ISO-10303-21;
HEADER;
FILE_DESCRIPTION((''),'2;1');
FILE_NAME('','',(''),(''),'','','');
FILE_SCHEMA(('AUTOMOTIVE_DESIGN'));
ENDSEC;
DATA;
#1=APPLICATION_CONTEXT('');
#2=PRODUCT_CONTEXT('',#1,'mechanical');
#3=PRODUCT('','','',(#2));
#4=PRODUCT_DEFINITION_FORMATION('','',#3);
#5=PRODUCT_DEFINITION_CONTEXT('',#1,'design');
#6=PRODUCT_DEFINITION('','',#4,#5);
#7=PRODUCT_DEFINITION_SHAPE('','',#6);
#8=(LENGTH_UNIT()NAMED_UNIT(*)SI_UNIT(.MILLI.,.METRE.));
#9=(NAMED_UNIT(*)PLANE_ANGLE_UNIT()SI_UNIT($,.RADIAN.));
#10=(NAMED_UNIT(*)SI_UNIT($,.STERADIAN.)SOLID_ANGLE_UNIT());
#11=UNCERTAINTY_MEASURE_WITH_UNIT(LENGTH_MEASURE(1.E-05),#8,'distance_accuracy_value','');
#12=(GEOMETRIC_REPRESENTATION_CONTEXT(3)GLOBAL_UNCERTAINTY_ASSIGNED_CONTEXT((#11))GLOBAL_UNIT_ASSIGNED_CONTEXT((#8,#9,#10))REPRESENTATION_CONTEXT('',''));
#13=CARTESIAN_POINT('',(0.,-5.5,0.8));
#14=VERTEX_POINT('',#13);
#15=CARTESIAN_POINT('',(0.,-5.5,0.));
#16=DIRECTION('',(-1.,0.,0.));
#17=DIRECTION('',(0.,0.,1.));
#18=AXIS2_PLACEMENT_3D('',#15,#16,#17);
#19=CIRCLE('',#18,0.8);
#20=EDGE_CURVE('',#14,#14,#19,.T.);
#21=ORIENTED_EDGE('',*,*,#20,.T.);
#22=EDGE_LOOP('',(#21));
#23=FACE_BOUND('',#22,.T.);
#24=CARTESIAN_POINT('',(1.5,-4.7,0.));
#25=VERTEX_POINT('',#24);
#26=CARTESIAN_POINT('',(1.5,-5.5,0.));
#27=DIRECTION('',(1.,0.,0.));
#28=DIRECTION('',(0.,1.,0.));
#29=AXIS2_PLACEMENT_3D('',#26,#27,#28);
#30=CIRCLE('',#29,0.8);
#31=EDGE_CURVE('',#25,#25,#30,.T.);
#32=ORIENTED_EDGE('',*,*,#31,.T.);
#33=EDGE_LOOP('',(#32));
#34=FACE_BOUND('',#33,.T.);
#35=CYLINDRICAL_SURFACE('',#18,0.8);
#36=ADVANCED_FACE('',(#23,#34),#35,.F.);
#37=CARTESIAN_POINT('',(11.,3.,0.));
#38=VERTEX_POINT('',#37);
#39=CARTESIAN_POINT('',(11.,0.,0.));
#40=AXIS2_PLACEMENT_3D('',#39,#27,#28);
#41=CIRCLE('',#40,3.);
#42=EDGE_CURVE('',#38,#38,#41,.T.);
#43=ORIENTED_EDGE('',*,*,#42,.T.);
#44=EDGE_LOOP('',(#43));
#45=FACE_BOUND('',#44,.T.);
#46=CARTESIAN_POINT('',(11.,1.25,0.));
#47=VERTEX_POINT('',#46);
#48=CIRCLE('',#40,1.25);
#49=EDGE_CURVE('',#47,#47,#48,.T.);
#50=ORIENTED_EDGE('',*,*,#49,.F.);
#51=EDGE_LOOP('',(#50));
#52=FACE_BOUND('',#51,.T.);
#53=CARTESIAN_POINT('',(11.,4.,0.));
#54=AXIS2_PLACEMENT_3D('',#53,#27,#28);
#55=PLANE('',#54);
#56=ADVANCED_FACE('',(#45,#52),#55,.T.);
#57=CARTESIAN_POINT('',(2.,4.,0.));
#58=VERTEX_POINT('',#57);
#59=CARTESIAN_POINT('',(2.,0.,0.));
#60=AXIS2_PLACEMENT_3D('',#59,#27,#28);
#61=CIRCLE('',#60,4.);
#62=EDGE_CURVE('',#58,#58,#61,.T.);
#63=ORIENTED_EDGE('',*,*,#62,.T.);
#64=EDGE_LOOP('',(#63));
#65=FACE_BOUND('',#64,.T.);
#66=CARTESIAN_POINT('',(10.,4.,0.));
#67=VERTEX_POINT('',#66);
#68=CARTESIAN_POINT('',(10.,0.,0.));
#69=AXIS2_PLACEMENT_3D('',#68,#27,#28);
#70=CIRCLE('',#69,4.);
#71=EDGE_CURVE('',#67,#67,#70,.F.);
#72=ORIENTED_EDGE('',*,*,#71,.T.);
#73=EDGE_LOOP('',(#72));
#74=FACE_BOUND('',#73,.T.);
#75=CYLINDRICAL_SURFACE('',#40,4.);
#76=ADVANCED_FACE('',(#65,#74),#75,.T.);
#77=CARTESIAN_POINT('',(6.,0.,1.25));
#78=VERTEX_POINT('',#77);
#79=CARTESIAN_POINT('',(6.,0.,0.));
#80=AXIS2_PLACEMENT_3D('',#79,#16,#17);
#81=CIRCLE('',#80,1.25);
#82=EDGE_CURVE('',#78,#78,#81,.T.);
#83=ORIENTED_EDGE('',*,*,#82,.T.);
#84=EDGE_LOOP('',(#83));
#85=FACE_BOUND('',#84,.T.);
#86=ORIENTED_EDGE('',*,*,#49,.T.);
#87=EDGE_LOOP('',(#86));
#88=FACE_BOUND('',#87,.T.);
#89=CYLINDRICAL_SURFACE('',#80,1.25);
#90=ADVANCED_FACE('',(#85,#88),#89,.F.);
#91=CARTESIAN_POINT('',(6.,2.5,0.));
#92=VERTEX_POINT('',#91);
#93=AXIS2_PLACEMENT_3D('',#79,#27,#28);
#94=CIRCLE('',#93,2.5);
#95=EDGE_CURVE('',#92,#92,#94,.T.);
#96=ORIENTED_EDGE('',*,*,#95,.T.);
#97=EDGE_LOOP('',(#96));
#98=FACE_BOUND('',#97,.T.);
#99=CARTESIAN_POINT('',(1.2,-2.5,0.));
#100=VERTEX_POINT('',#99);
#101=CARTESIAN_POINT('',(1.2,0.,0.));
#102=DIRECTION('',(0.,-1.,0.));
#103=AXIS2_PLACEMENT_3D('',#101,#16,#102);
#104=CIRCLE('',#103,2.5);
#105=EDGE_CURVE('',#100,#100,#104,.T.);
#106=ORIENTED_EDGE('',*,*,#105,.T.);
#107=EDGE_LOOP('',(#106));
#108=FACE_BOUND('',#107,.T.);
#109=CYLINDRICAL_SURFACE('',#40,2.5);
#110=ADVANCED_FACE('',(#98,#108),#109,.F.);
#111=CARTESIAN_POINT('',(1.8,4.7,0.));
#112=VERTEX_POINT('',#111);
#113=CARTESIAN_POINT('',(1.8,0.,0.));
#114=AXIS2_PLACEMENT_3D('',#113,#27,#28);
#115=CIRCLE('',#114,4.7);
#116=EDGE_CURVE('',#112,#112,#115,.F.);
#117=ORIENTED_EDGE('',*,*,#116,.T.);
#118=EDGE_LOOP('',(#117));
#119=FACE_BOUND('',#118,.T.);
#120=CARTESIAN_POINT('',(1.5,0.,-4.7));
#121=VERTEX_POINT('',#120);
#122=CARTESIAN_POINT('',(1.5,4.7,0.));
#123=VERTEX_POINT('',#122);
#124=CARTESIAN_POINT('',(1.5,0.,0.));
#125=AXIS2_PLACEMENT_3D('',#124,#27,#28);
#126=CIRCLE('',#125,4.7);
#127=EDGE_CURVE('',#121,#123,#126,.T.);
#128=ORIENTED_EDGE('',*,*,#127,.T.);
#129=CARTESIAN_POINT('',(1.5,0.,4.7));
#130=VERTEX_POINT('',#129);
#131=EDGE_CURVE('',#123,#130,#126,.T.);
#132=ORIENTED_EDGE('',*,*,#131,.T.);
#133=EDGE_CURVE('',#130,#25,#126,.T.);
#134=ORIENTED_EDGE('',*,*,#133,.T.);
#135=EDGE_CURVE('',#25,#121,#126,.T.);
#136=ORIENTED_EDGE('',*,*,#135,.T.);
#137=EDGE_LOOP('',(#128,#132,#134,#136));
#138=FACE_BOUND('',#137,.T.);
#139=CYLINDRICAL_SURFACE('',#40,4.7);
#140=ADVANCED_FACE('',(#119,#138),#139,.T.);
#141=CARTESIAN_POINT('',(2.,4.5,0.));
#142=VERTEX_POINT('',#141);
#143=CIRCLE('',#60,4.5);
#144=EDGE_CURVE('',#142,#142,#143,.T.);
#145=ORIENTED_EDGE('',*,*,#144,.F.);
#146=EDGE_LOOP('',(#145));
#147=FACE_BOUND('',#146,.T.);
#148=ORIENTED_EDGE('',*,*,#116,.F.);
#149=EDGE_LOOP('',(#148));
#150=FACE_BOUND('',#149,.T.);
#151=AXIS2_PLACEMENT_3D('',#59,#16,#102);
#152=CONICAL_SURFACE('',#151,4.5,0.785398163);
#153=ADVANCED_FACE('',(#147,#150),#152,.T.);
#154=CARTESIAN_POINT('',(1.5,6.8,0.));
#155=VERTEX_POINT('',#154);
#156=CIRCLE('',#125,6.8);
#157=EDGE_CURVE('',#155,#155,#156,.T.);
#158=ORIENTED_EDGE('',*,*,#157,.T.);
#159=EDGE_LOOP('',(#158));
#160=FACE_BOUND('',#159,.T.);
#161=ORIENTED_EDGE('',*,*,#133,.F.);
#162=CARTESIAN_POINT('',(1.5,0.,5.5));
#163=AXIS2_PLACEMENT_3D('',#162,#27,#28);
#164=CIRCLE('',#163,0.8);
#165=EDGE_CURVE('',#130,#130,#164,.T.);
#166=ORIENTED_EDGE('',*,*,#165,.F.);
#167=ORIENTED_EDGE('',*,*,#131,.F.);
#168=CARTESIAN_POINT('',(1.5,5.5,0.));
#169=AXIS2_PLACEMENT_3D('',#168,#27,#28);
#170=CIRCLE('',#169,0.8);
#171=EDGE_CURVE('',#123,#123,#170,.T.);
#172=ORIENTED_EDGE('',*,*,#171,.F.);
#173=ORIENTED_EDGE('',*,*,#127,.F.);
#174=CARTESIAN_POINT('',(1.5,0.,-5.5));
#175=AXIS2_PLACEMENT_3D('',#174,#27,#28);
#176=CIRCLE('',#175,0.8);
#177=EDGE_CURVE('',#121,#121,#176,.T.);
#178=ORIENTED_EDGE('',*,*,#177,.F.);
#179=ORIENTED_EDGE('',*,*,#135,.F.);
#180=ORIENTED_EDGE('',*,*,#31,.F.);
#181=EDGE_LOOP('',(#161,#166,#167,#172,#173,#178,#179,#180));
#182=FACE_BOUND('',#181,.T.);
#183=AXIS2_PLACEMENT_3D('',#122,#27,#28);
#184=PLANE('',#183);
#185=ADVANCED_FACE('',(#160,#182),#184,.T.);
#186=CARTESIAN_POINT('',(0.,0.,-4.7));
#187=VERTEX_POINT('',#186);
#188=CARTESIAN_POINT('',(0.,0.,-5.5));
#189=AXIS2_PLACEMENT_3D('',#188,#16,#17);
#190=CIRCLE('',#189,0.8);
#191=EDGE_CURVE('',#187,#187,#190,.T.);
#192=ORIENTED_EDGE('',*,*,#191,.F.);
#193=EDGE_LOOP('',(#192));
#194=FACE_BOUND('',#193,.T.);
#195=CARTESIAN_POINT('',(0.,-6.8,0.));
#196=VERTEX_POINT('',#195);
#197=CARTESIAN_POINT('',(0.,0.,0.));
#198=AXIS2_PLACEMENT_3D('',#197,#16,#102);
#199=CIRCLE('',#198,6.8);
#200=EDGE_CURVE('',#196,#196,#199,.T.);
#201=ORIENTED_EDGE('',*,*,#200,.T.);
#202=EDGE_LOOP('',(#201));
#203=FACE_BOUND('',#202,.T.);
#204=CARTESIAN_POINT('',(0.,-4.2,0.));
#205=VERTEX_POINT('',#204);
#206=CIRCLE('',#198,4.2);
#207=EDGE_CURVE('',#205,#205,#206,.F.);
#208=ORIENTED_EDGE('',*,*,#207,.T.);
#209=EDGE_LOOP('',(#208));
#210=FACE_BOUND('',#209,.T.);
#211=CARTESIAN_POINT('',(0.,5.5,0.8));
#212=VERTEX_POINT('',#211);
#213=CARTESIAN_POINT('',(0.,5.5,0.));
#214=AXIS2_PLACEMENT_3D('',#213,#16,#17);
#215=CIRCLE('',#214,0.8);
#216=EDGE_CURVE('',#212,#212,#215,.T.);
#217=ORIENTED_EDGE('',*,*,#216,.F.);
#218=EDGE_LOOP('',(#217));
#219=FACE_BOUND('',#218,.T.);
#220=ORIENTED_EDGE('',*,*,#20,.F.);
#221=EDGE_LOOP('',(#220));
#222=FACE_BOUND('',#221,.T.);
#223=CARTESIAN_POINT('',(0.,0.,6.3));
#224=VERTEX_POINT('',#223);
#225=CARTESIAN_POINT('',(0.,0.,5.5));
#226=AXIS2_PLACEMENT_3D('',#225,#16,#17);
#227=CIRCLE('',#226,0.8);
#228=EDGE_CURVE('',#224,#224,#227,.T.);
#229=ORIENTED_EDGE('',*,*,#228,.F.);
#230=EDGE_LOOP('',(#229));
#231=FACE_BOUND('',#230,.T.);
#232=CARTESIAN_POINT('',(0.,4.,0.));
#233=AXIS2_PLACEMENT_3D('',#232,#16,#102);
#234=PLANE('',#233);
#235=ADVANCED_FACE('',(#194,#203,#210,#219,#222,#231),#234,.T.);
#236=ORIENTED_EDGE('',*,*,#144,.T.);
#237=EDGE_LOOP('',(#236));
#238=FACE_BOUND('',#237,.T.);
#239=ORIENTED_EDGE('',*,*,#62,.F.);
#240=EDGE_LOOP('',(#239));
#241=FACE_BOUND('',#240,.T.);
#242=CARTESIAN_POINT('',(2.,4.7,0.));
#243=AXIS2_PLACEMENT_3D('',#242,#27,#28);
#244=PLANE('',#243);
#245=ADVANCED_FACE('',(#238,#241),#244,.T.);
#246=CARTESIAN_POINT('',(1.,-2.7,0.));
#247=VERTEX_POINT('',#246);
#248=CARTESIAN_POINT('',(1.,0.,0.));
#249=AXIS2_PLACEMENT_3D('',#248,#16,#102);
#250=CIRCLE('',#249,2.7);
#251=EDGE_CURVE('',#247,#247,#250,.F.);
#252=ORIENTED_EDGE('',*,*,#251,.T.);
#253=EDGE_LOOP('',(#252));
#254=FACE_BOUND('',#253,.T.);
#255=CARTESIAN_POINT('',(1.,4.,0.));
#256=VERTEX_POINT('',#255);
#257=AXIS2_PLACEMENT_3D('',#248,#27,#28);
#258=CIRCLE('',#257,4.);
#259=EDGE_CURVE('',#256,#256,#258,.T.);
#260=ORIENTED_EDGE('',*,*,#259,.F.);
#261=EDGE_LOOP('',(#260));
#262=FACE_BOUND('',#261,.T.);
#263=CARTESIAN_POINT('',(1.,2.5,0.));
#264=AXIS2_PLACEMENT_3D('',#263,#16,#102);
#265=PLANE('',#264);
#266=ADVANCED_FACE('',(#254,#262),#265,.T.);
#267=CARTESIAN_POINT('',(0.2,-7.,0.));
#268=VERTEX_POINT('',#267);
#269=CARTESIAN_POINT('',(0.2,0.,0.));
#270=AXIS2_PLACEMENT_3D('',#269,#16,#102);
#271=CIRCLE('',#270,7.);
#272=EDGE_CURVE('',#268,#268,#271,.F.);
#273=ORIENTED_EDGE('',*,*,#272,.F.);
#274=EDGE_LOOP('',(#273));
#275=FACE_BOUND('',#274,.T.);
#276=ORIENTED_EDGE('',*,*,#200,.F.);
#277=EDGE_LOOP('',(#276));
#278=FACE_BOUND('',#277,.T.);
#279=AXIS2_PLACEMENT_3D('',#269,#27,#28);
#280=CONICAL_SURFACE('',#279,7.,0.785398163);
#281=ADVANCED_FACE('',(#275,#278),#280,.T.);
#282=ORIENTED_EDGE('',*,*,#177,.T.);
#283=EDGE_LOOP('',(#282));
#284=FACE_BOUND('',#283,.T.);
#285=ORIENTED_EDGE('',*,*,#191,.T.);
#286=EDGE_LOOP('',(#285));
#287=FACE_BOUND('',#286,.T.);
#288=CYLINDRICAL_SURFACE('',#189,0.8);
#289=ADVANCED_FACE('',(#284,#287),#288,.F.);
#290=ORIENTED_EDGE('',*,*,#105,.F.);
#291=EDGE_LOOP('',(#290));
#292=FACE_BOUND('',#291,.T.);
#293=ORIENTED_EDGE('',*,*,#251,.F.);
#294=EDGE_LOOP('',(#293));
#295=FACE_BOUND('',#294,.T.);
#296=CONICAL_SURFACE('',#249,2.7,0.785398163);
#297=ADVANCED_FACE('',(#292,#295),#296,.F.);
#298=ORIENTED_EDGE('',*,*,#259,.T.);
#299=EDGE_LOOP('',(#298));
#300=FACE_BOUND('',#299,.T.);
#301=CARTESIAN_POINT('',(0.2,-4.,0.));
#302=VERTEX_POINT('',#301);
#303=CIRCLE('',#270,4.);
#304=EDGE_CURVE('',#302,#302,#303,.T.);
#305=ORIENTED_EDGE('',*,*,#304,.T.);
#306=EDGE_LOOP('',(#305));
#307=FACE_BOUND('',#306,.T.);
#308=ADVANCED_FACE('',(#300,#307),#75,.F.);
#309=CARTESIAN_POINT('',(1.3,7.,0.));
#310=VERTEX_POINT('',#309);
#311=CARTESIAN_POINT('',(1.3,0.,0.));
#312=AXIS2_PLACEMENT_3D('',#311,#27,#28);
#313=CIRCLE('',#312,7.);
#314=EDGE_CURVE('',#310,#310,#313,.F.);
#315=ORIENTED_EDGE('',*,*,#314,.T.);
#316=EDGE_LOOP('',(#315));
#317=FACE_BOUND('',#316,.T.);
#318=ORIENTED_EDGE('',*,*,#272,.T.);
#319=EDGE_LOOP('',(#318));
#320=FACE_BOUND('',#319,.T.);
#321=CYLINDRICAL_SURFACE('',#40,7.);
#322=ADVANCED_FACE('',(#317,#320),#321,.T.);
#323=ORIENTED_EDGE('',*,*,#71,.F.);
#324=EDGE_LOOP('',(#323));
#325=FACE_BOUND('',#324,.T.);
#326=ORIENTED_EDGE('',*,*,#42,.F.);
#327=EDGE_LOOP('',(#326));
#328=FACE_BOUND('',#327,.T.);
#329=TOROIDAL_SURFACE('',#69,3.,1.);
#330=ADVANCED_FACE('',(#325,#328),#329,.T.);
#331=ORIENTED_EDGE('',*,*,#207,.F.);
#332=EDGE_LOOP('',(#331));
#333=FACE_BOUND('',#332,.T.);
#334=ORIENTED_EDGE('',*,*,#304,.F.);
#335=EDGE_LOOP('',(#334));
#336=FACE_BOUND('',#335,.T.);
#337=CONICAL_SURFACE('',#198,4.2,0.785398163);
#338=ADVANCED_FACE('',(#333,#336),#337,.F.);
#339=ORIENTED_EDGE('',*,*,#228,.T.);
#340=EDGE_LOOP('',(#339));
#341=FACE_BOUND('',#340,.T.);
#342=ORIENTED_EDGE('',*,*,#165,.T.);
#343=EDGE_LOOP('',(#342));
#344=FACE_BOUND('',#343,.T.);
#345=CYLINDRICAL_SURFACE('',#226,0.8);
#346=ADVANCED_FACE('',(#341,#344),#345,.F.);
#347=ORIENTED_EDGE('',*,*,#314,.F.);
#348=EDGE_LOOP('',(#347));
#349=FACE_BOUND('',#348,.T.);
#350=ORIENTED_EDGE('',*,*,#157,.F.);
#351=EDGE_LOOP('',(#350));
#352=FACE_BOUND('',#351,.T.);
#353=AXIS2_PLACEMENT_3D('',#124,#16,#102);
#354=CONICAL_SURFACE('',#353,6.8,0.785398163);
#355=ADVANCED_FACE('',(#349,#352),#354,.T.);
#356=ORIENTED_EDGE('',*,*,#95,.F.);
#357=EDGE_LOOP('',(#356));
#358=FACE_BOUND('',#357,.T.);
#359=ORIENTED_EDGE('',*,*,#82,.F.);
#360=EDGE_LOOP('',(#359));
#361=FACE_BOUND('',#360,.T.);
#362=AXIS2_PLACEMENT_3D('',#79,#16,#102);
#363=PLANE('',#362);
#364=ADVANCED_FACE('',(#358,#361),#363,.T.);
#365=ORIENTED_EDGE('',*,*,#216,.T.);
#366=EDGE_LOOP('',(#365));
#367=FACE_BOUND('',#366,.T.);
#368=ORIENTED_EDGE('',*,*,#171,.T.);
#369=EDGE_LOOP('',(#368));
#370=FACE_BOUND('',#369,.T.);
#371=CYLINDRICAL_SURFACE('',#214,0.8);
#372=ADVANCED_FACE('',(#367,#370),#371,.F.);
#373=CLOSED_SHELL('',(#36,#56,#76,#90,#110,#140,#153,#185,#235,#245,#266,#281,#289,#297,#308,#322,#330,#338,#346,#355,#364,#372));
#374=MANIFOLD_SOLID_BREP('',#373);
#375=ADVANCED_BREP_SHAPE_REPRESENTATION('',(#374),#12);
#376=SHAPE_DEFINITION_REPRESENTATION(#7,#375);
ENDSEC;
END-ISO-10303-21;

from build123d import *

# Parameters (mm, degrees)
HOLE_WIZARD_M3_1_D       = 2.5
FILLET_1_R               = 1
CHAMFER_1_SIZE           = 0.2
HOLE_WIZARD_M2_1_D       = 1.6
PATTERN_CIRCULAR_1_COUNT = 4
CHAMFER_2_SIZE           = 0.2


with BuildPart() as part:
    # 草图1 → 旋转1 (revolve)
    with BuildSketch(Plane.XY):
        Polygon((11, 0), (6, 0), (6, 2.5), (1, 2.5), (1, 4), (0, 4), (0, 7), (1.5, 7), (1.5, 4.7), (2, 4.7), (2, 4), (11, 4), align=None)
    revolve(axis=Axis((11, 0, 0), (-1, 0, 0)))

    # M3 螺纹孔1 (through all)
    with Locations(Plane.ZY.offset(-6)):
        with Locations((0, 0)):
            Hole(HOLE_WIZARD_M3_1_D / 2)

    # 圆角1
    fillet_1_edges = [part.edges().sort_by_distance(p)[0] for p in [
        (11, -4, 0),
    ]]
    fillet(fillet_1_edges, radius=FILLET_1_R)

    # 倒角1
    chamfer_1_edges = [part.edges().sort_by_distance(p)[0] for p in [
        (1.5, -7, 0),
        (0, -7, 0),
        (0, -4, 0),
        (1, -2.5, 0),
    ]]
    chamfer(chamfer_1_edges, length=CHAMFER_1_SIZE)

    # M2 螺纹孔1 (through all)
    with Locations(Plane.ZY):
        with Locations((0, -5.5)):
            hole_wizard_m2_1 = Hole(HOLE_WIZARD_M2_1_D / 2)

    # 阵列(圆周)1: M2 螺纹孔1 ×4 about axis
    pattern_circular_1_axis = Axis((0, 0, 0), (1, 0, 0))
    for i in range(1, PATTERN_CIRCULAR_1_COUNT):
        add(hole_wizard_m2_1.rotate(pattern_circular_1_axis, i * 360 / PATTERN_CIRCULAR_1_COUNT), mode=Mode.SUBTRACT)

    # 倒角2
    chamfer_2_edges = [part.edges().sort_by_distance(p)[0] for p in [
        (2, -4.7, 0),
    ]]
    chamfer(chamfer_2_edges, length=CHAMFER_2_SIZE)


solid = part.part
